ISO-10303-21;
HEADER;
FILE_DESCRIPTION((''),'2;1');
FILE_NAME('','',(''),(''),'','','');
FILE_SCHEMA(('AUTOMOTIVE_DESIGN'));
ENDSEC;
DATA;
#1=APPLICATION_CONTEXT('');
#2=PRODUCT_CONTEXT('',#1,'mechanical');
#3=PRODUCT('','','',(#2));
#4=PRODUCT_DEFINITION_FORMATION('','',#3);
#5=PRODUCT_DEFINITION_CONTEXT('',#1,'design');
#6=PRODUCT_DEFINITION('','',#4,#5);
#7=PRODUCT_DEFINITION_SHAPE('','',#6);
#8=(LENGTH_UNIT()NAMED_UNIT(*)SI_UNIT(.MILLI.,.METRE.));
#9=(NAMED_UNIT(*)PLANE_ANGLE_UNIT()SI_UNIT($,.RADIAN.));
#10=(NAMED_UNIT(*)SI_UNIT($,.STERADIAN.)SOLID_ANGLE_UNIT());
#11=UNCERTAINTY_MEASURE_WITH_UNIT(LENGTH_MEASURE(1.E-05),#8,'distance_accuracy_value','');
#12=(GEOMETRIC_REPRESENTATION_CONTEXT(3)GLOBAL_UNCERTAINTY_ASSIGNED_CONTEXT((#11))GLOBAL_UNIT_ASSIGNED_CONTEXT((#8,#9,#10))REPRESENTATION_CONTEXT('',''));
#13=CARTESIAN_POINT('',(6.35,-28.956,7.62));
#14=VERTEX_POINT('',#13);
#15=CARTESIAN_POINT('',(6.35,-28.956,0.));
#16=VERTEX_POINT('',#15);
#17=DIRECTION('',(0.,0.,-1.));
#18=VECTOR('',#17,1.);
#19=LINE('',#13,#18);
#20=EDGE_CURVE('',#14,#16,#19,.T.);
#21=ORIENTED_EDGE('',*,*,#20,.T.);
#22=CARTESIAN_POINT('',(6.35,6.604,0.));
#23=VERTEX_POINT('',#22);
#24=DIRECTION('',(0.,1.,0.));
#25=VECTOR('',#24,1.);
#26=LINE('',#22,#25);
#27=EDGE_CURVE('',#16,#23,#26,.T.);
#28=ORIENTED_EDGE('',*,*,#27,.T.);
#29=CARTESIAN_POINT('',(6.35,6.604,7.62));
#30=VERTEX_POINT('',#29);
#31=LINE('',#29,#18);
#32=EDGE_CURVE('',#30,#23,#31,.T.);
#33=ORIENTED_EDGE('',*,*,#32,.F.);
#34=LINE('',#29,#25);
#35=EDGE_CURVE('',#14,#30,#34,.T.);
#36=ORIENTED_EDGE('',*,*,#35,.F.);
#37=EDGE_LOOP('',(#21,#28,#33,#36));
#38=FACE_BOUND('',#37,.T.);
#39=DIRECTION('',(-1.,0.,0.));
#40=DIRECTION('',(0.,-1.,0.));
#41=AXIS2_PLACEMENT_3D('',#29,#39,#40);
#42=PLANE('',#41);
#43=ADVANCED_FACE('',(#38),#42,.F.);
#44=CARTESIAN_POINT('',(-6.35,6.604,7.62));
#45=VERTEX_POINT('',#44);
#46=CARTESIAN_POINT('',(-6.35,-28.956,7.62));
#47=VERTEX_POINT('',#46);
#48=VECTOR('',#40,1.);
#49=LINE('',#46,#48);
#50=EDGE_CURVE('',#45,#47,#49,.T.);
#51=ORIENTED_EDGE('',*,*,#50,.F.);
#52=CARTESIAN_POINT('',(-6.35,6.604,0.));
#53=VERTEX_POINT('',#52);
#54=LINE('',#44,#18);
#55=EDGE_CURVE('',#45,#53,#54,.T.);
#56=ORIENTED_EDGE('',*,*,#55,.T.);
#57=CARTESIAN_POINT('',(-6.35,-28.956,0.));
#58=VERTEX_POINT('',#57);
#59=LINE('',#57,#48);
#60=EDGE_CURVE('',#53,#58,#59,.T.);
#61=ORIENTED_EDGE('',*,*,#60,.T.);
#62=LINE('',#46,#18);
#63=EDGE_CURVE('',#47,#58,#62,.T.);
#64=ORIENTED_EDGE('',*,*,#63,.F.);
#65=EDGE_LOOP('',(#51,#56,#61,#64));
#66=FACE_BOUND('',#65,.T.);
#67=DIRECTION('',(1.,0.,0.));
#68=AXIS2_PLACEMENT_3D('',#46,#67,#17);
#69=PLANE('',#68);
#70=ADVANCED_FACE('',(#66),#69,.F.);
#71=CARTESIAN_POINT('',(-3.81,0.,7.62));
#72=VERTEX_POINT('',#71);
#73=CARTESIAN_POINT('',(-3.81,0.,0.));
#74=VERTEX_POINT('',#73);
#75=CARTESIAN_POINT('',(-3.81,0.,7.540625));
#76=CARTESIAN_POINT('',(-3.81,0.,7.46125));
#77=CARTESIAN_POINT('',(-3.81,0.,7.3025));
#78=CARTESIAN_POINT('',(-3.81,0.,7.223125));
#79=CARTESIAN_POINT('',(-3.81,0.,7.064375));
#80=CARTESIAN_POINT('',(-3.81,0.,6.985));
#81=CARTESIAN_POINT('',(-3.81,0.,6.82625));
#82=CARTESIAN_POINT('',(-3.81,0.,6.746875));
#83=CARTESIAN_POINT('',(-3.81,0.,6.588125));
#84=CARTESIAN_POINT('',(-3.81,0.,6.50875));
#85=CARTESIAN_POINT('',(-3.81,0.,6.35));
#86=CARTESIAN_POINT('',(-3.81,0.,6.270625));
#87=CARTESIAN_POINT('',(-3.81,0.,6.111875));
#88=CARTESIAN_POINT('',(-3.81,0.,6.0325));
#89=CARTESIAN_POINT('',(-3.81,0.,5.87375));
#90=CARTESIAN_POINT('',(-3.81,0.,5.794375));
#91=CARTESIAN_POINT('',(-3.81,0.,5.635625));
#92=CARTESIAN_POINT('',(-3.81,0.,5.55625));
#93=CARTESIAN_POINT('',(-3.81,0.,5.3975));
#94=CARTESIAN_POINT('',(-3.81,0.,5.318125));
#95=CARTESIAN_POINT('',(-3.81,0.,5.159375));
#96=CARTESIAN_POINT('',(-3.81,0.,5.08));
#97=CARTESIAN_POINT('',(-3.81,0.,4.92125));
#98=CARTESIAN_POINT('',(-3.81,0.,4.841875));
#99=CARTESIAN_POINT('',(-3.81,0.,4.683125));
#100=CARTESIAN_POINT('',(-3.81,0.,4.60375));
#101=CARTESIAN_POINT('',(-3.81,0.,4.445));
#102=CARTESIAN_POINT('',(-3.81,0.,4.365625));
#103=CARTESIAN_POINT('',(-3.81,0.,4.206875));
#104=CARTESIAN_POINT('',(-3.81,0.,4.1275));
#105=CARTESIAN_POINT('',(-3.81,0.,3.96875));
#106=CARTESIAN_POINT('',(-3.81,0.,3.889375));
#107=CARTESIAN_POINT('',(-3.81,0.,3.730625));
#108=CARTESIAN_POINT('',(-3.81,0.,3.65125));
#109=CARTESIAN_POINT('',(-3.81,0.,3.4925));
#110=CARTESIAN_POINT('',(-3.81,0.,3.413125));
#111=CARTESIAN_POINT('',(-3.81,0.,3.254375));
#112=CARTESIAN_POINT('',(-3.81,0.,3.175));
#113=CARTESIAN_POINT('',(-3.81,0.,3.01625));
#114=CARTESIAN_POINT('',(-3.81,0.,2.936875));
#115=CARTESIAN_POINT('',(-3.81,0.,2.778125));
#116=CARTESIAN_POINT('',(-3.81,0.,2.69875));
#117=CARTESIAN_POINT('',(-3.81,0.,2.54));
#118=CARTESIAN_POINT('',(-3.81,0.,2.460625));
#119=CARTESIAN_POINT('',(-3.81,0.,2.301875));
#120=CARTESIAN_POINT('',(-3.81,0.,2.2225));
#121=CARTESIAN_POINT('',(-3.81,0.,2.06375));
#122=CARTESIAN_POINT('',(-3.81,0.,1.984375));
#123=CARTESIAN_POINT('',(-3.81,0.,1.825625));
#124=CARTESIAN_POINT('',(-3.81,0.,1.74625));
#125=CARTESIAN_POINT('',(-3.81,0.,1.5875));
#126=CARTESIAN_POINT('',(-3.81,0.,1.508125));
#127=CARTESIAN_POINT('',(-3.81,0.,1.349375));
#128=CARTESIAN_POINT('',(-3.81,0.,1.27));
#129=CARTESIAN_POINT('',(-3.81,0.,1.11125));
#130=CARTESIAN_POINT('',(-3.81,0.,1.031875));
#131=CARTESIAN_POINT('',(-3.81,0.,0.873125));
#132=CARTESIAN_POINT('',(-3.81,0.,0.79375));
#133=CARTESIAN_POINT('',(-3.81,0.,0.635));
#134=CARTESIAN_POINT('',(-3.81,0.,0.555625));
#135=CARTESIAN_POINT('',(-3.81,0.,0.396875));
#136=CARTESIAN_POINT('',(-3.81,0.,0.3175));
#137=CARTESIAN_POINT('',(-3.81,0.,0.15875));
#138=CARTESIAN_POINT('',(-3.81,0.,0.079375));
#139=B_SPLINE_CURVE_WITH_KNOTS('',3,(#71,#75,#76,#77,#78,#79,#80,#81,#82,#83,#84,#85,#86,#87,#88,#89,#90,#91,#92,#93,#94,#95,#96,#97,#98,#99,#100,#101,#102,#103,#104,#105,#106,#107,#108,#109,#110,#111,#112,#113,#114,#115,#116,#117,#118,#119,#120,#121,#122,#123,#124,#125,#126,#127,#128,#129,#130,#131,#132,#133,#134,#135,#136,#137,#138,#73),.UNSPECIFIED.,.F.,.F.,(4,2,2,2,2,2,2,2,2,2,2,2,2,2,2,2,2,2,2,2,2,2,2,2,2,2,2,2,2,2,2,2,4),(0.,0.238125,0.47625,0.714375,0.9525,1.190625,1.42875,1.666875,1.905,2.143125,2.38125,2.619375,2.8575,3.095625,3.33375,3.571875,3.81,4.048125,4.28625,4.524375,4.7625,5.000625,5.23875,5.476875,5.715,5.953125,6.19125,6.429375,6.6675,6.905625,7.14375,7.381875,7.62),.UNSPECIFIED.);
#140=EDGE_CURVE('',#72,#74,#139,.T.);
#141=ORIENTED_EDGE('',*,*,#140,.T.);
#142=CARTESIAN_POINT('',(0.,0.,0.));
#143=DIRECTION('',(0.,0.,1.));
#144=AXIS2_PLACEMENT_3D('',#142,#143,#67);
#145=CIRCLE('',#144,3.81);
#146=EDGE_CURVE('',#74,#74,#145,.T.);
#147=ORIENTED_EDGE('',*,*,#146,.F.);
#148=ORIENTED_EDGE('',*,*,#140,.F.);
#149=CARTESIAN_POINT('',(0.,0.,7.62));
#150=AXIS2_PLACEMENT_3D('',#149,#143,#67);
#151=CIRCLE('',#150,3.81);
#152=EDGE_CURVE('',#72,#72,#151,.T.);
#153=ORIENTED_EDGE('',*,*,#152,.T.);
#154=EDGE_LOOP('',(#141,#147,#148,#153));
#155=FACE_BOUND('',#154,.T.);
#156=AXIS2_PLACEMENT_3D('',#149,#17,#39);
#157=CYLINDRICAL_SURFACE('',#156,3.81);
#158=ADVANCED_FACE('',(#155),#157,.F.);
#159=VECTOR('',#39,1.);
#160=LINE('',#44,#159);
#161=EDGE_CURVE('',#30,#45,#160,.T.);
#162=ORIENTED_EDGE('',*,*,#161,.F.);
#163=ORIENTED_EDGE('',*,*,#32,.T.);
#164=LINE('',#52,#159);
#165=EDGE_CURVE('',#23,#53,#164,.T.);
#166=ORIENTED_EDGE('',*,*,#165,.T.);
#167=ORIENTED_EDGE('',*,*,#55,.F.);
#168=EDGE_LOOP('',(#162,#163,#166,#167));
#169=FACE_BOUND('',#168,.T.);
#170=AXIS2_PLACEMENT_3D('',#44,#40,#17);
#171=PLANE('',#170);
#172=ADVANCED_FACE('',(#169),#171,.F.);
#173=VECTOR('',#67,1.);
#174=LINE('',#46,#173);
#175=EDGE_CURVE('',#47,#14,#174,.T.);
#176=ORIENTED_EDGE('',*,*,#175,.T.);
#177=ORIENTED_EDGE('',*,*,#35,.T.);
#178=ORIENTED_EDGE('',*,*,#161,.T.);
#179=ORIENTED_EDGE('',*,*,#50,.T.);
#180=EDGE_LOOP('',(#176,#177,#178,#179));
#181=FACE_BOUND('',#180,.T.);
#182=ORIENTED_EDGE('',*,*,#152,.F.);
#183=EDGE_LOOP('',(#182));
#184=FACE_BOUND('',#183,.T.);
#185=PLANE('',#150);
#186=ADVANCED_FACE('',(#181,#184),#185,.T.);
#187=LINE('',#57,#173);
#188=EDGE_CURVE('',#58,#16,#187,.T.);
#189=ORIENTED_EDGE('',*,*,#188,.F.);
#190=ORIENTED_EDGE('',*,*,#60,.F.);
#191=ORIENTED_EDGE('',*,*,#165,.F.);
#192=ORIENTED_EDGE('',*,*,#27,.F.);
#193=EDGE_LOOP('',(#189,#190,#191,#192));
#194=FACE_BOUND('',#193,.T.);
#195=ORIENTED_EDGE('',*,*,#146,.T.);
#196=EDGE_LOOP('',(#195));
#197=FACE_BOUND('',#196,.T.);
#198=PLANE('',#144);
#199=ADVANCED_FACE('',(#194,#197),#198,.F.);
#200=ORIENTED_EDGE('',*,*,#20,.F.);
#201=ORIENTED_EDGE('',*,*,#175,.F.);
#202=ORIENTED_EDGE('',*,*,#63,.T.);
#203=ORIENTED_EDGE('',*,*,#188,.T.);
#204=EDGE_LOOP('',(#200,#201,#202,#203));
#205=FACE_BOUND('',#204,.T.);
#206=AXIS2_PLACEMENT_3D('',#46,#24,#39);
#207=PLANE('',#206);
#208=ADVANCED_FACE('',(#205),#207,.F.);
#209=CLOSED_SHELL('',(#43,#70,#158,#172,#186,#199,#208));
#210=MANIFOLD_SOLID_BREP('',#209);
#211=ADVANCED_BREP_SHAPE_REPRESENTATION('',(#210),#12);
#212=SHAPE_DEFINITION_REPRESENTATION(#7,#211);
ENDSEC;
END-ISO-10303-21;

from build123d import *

# Parameters (mm, degrees)
SKETCH1_W           = 12.7
SKETCH1_H           = 35.56
SKETCH1_R           = 3.81
BOSS_EXTRUDE1_DEPTH = 7.62


with BuildPart() as part:
    # Sketch1 → Boss-Extrude1 (new body)
    with BuildSketch(Plane.XY):
        with Locations((0, -11.176)):
            Rectangle(SKETCH1_W, SKETCH1_H)
        with Locations(Location((0, 0, 0), (0, 0, 180))):
            Circle(SKETCH1_R, mode=Mode.SUBTRACT)
    extrude(amount=BOSS_EXTRUDE1_DEPTH)


solid = part.part
